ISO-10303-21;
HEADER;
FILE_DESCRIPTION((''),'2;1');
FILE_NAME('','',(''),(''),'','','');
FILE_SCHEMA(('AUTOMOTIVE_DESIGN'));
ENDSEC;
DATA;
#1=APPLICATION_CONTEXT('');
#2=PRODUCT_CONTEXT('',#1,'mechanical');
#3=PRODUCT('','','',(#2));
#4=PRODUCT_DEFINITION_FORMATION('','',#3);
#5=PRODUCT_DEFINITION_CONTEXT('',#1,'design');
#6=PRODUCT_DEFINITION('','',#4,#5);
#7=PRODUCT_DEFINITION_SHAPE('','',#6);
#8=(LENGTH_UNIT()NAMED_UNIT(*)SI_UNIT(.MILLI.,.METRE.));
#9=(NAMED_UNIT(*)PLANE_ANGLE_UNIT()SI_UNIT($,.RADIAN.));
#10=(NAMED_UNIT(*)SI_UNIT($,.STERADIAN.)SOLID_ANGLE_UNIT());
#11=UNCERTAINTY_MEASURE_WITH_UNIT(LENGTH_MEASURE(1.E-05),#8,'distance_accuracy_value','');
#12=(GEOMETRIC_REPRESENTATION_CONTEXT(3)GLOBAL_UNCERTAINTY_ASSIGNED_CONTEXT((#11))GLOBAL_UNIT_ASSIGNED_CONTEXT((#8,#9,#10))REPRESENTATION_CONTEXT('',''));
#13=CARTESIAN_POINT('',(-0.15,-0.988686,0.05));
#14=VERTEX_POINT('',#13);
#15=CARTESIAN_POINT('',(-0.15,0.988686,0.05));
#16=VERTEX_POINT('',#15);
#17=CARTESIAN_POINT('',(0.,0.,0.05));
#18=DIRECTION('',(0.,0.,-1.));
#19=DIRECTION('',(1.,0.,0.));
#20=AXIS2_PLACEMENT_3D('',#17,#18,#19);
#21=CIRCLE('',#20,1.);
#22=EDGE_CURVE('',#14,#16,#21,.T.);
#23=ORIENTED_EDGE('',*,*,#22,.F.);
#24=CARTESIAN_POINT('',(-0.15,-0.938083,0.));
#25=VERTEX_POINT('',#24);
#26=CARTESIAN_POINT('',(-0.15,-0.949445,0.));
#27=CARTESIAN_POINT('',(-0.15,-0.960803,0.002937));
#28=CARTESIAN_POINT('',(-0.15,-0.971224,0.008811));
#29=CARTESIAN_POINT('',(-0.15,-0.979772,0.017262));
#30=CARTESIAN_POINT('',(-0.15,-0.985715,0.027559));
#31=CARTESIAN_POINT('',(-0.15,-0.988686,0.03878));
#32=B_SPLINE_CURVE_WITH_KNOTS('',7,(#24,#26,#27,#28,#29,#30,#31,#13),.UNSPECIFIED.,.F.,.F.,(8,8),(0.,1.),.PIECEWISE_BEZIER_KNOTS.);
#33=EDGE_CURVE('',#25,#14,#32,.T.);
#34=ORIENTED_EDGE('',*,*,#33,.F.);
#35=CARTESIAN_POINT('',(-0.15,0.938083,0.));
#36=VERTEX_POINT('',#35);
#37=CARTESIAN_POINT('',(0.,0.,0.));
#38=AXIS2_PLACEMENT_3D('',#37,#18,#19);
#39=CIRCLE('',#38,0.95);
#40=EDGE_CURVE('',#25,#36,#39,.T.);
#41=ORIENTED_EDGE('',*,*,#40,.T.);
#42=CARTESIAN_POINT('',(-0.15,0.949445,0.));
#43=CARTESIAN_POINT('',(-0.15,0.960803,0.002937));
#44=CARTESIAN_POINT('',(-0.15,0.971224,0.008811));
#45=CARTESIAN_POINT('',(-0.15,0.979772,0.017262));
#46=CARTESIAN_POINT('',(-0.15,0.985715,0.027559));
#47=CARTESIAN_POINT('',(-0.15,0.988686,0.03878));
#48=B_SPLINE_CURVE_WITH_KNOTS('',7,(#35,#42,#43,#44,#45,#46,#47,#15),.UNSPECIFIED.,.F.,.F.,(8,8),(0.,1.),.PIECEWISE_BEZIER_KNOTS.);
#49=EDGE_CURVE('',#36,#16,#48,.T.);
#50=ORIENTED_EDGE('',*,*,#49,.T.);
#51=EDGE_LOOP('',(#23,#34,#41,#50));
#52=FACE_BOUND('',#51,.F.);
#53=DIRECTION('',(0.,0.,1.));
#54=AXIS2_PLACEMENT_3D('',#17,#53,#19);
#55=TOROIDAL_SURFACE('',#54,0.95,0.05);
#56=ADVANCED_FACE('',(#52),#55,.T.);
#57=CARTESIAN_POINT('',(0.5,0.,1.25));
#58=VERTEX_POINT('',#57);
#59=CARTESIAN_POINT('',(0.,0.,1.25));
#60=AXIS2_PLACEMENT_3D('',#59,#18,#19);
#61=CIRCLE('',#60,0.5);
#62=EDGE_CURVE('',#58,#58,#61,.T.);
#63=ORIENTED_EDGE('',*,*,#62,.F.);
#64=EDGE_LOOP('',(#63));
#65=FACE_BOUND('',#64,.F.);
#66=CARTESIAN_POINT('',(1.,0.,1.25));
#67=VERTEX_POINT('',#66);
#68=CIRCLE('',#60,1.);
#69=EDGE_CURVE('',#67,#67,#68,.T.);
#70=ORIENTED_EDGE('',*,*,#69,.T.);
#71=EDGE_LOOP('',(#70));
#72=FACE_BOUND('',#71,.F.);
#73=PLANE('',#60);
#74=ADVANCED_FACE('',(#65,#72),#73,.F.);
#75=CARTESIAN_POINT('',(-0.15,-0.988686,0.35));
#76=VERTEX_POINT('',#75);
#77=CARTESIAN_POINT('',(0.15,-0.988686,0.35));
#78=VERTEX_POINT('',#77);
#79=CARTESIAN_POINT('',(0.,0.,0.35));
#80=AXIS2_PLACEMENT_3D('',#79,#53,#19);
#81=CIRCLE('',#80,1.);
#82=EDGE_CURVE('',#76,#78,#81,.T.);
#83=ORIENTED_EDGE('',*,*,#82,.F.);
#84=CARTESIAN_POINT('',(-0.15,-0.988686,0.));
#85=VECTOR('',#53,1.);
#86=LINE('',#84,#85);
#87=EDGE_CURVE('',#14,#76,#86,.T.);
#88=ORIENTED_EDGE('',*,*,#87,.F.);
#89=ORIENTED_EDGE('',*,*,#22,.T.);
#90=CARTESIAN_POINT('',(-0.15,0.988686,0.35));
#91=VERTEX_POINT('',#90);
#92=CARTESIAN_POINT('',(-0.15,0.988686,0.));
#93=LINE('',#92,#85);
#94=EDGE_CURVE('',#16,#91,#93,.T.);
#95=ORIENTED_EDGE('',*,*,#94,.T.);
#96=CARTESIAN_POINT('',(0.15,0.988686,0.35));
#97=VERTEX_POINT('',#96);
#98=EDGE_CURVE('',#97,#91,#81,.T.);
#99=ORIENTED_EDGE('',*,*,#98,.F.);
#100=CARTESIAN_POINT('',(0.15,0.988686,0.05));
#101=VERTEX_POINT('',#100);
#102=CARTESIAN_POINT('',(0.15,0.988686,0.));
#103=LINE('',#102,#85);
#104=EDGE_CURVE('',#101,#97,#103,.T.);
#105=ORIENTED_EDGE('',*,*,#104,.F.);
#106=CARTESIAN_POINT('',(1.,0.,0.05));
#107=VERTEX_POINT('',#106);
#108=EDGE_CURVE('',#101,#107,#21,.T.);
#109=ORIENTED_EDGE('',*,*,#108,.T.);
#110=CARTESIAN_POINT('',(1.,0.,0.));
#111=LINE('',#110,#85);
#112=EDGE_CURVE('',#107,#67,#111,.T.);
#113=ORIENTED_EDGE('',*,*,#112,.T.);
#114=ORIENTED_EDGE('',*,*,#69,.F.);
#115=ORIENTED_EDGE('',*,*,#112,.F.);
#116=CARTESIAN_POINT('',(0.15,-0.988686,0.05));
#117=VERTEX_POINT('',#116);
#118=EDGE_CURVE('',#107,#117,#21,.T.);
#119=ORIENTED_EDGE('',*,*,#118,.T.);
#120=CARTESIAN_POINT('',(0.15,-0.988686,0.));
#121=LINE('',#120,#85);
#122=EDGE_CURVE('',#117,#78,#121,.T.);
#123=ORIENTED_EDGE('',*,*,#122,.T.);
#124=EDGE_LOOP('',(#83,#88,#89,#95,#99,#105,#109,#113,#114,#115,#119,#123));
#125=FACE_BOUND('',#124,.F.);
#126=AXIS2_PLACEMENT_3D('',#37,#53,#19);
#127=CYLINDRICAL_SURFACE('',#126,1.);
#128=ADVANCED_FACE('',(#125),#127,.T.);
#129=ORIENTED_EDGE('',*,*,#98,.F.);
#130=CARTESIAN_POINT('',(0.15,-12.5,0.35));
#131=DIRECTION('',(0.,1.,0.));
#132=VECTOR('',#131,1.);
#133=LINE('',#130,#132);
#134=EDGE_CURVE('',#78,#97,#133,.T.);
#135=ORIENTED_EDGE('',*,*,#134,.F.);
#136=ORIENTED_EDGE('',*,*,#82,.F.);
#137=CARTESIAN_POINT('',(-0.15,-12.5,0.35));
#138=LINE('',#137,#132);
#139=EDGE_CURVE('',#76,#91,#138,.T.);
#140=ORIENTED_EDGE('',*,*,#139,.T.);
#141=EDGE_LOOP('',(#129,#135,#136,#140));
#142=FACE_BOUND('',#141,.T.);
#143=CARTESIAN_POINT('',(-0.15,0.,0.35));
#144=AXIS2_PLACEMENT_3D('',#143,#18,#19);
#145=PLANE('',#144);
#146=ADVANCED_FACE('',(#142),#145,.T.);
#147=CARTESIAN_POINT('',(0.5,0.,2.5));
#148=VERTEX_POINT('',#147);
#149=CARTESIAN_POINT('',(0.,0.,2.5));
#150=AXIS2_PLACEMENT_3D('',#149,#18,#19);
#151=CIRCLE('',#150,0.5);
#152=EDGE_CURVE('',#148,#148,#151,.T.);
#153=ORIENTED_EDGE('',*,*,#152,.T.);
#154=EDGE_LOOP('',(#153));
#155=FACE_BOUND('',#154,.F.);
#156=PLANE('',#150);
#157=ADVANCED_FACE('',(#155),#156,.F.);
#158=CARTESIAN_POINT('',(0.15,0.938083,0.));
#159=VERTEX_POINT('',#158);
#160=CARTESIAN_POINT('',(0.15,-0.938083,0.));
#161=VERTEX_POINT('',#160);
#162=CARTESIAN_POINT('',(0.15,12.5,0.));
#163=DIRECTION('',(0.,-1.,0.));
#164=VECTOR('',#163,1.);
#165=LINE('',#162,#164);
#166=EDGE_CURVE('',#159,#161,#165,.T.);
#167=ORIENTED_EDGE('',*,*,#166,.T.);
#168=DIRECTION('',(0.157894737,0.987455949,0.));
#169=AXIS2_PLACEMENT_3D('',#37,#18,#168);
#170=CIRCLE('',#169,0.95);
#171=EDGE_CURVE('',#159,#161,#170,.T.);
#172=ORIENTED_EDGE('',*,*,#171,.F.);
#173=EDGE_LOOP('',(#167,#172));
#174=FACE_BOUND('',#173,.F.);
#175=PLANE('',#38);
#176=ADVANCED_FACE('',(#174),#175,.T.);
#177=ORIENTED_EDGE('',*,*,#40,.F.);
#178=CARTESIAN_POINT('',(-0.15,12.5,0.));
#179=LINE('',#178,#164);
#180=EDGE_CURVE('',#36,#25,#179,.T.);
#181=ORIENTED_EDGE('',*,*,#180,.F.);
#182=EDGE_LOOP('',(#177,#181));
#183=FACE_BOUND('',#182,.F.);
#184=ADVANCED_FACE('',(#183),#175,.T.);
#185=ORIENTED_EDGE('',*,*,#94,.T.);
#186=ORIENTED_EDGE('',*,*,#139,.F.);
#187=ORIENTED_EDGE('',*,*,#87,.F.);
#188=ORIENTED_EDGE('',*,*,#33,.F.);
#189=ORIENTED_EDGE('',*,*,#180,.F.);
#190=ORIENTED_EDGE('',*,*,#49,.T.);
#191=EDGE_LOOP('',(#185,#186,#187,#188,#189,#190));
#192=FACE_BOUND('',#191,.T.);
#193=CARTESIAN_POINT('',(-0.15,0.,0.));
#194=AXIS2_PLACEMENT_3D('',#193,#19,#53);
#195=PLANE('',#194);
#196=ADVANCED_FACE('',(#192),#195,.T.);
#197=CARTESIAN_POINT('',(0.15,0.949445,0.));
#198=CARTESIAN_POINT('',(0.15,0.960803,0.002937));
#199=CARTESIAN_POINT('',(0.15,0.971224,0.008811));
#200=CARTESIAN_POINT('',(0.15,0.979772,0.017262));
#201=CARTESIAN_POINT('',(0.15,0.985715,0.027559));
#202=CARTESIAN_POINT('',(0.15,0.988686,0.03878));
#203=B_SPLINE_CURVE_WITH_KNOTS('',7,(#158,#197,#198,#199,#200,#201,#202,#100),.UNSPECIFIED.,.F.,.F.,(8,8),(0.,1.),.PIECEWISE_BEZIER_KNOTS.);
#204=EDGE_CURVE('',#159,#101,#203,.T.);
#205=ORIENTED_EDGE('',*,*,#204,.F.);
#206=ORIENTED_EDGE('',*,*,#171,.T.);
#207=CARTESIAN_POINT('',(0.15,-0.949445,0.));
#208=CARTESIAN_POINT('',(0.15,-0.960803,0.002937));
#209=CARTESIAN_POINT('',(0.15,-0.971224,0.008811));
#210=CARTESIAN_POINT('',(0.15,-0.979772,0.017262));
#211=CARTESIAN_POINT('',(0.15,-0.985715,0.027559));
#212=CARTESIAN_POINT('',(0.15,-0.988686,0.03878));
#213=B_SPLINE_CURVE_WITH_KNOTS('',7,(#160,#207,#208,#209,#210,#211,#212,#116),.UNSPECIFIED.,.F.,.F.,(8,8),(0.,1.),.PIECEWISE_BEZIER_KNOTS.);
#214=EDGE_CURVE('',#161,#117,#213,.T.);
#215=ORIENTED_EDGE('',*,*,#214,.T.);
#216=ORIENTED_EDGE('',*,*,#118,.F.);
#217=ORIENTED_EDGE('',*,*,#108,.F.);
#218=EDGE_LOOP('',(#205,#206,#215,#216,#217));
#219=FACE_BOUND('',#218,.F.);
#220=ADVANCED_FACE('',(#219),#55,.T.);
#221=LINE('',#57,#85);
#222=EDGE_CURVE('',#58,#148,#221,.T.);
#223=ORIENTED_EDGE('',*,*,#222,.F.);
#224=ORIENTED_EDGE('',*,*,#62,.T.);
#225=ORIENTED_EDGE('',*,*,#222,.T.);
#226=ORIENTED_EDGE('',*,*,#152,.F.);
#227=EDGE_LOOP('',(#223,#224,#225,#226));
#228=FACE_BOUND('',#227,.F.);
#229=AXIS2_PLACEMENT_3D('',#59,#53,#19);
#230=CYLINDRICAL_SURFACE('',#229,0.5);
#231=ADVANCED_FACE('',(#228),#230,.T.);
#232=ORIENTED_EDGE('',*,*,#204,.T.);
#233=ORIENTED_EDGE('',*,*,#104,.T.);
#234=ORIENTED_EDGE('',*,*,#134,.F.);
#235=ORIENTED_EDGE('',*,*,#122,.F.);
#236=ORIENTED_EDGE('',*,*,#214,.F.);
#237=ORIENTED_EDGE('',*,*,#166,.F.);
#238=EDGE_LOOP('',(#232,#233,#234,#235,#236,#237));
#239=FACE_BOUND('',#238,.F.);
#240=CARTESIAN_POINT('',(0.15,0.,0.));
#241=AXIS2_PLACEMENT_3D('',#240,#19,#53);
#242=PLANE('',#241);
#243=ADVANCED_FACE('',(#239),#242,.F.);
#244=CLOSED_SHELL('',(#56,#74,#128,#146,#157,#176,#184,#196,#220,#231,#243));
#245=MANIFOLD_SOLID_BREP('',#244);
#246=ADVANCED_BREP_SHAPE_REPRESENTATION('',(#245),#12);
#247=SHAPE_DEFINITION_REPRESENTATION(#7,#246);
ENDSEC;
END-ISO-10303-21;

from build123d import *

# Parameters (mm, degrees)
F2_R     = 0.05
F3_W     = 0.3
F3_H     = 0.35
F4_DEPTH = 12.5


with BuildPart() as f1:
    # F0 (on Front) → F1 (revolve)
    with BuildSketch(Plane.XZ):
        Polygon((0, 2.5), (0, 0), (1, 0), (1, 1.25), (0.5, 1.25), (0.5, 2.5), align=None)
    revolve(axis=Axis((0, 0, 1.25), (0, 0, -1)))

    # F2
    f2_edges = [f1.edges().sort_by_distance(p)[0] for p in [
        (-1, 0, 0),
    ]]
    fillet(f2_edges, radius=F2_R)

    # F3 (on Front) → F4 (cut, symmetric)
    with BuildSketch(Plane.XZ):
        with Locations((0, 0.175)):
            Rectangle(F3_W, F3_H)
    extrude(amount=F4_DEPTH, both=True, mode=Mode.SUBTRACT)


solid = f1.part
